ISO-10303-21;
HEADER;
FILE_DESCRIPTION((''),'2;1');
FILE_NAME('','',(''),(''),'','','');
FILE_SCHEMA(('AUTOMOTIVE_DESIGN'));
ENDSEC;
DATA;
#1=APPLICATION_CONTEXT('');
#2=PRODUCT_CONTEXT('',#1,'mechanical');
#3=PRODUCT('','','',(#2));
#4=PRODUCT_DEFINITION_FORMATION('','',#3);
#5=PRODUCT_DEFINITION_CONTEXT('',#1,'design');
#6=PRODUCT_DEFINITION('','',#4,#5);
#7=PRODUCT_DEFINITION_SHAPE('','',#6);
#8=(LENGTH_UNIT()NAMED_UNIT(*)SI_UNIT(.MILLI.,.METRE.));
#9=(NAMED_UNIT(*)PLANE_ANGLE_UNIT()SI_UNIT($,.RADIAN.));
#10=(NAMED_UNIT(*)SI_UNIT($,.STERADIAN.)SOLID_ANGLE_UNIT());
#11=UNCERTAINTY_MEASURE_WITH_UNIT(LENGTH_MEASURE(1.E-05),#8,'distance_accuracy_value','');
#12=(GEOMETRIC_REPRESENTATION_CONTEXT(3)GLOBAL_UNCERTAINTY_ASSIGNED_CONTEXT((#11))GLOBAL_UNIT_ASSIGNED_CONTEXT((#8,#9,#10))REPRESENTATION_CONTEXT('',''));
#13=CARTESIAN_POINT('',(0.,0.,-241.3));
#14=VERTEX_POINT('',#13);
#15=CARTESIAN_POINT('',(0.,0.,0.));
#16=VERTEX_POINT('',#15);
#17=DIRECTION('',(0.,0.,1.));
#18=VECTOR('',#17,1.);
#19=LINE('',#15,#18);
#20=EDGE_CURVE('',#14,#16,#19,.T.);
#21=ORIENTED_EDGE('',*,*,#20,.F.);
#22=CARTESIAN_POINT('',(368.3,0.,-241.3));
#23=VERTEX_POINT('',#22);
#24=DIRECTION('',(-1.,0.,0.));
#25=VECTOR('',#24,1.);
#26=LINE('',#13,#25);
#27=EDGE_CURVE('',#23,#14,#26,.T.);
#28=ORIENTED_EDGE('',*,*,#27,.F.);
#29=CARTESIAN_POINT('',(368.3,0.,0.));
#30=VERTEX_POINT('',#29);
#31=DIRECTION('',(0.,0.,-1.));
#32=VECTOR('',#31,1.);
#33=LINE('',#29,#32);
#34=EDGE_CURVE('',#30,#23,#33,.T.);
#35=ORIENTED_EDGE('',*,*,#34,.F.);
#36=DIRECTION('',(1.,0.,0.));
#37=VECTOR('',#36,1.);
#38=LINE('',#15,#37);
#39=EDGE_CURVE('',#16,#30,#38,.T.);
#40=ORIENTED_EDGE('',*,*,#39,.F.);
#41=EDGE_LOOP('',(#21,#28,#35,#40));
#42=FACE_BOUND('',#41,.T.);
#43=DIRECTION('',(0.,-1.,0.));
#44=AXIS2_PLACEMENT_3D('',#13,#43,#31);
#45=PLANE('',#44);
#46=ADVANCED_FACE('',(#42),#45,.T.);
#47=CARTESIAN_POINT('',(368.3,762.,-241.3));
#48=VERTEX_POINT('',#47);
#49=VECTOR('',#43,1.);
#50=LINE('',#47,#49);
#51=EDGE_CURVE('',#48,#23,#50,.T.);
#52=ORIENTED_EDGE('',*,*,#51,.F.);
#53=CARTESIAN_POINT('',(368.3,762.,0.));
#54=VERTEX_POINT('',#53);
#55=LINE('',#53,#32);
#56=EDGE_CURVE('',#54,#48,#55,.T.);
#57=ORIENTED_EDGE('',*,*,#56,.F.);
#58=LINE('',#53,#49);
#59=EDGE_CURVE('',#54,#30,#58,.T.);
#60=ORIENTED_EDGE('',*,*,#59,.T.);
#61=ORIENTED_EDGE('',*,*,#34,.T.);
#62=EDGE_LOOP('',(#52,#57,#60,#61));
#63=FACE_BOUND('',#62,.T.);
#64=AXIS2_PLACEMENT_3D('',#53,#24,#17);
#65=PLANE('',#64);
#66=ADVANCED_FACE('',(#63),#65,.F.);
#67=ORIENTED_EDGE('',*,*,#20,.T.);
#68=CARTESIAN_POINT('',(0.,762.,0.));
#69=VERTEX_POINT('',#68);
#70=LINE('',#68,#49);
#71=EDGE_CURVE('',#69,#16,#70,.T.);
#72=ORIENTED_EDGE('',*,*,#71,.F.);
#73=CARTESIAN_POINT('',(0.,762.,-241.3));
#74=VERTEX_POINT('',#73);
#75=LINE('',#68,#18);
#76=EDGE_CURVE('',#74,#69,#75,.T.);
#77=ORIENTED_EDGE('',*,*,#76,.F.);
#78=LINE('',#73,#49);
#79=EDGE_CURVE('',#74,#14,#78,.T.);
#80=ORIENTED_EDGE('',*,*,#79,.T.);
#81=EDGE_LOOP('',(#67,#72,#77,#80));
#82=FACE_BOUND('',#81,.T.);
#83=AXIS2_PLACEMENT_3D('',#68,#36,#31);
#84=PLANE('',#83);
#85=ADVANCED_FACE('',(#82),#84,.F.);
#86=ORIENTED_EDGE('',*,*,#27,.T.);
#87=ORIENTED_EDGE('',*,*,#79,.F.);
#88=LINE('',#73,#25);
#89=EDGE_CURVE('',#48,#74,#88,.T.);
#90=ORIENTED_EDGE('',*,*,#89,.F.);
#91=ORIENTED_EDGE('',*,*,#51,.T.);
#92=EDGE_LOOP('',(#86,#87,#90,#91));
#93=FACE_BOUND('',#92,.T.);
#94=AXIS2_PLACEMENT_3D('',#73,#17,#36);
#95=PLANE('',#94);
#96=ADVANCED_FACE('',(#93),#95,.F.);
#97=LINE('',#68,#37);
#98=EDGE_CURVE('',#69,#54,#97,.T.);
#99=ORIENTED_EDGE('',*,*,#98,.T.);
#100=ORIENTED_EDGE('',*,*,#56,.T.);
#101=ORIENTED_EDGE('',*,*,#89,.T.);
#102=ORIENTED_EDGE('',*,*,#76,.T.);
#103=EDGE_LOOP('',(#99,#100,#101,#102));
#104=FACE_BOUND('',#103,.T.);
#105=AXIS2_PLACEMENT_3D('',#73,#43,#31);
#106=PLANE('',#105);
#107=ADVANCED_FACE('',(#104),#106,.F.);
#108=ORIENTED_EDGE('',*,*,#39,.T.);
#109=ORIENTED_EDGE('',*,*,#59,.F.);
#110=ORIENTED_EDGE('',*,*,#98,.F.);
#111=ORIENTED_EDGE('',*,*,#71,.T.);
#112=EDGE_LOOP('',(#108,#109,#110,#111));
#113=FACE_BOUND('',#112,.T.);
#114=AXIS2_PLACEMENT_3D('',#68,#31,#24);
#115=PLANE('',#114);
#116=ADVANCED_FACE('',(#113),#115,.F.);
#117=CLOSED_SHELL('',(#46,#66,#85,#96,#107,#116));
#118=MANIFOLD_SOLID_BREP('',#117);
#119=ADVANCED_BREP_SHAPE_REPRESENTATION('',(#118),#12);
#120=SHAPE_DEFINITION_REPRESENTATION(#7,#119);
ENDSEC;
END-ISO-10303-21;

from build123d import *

# Parameters (mm, degrees)
SKETCH1_W      = 368.3
SKETCH1_H      = 241.3
EXTRUDE1_DEPTH = 762


with BuildPart() as part:
    # Sketch1 → Extrude1 (new body)
    with BuildSketch(Plane(origin=(0, 0, 0), x_dir=(1, 0, 0), z_dir=(0, 1, 0))):
        with Locations((184.15, 120.65)):
            Rectangle(SKETCH1_W, SKETCH1_H)
    extrude(amount=EXTRUDE1_DEPTH)


solid = part.part
